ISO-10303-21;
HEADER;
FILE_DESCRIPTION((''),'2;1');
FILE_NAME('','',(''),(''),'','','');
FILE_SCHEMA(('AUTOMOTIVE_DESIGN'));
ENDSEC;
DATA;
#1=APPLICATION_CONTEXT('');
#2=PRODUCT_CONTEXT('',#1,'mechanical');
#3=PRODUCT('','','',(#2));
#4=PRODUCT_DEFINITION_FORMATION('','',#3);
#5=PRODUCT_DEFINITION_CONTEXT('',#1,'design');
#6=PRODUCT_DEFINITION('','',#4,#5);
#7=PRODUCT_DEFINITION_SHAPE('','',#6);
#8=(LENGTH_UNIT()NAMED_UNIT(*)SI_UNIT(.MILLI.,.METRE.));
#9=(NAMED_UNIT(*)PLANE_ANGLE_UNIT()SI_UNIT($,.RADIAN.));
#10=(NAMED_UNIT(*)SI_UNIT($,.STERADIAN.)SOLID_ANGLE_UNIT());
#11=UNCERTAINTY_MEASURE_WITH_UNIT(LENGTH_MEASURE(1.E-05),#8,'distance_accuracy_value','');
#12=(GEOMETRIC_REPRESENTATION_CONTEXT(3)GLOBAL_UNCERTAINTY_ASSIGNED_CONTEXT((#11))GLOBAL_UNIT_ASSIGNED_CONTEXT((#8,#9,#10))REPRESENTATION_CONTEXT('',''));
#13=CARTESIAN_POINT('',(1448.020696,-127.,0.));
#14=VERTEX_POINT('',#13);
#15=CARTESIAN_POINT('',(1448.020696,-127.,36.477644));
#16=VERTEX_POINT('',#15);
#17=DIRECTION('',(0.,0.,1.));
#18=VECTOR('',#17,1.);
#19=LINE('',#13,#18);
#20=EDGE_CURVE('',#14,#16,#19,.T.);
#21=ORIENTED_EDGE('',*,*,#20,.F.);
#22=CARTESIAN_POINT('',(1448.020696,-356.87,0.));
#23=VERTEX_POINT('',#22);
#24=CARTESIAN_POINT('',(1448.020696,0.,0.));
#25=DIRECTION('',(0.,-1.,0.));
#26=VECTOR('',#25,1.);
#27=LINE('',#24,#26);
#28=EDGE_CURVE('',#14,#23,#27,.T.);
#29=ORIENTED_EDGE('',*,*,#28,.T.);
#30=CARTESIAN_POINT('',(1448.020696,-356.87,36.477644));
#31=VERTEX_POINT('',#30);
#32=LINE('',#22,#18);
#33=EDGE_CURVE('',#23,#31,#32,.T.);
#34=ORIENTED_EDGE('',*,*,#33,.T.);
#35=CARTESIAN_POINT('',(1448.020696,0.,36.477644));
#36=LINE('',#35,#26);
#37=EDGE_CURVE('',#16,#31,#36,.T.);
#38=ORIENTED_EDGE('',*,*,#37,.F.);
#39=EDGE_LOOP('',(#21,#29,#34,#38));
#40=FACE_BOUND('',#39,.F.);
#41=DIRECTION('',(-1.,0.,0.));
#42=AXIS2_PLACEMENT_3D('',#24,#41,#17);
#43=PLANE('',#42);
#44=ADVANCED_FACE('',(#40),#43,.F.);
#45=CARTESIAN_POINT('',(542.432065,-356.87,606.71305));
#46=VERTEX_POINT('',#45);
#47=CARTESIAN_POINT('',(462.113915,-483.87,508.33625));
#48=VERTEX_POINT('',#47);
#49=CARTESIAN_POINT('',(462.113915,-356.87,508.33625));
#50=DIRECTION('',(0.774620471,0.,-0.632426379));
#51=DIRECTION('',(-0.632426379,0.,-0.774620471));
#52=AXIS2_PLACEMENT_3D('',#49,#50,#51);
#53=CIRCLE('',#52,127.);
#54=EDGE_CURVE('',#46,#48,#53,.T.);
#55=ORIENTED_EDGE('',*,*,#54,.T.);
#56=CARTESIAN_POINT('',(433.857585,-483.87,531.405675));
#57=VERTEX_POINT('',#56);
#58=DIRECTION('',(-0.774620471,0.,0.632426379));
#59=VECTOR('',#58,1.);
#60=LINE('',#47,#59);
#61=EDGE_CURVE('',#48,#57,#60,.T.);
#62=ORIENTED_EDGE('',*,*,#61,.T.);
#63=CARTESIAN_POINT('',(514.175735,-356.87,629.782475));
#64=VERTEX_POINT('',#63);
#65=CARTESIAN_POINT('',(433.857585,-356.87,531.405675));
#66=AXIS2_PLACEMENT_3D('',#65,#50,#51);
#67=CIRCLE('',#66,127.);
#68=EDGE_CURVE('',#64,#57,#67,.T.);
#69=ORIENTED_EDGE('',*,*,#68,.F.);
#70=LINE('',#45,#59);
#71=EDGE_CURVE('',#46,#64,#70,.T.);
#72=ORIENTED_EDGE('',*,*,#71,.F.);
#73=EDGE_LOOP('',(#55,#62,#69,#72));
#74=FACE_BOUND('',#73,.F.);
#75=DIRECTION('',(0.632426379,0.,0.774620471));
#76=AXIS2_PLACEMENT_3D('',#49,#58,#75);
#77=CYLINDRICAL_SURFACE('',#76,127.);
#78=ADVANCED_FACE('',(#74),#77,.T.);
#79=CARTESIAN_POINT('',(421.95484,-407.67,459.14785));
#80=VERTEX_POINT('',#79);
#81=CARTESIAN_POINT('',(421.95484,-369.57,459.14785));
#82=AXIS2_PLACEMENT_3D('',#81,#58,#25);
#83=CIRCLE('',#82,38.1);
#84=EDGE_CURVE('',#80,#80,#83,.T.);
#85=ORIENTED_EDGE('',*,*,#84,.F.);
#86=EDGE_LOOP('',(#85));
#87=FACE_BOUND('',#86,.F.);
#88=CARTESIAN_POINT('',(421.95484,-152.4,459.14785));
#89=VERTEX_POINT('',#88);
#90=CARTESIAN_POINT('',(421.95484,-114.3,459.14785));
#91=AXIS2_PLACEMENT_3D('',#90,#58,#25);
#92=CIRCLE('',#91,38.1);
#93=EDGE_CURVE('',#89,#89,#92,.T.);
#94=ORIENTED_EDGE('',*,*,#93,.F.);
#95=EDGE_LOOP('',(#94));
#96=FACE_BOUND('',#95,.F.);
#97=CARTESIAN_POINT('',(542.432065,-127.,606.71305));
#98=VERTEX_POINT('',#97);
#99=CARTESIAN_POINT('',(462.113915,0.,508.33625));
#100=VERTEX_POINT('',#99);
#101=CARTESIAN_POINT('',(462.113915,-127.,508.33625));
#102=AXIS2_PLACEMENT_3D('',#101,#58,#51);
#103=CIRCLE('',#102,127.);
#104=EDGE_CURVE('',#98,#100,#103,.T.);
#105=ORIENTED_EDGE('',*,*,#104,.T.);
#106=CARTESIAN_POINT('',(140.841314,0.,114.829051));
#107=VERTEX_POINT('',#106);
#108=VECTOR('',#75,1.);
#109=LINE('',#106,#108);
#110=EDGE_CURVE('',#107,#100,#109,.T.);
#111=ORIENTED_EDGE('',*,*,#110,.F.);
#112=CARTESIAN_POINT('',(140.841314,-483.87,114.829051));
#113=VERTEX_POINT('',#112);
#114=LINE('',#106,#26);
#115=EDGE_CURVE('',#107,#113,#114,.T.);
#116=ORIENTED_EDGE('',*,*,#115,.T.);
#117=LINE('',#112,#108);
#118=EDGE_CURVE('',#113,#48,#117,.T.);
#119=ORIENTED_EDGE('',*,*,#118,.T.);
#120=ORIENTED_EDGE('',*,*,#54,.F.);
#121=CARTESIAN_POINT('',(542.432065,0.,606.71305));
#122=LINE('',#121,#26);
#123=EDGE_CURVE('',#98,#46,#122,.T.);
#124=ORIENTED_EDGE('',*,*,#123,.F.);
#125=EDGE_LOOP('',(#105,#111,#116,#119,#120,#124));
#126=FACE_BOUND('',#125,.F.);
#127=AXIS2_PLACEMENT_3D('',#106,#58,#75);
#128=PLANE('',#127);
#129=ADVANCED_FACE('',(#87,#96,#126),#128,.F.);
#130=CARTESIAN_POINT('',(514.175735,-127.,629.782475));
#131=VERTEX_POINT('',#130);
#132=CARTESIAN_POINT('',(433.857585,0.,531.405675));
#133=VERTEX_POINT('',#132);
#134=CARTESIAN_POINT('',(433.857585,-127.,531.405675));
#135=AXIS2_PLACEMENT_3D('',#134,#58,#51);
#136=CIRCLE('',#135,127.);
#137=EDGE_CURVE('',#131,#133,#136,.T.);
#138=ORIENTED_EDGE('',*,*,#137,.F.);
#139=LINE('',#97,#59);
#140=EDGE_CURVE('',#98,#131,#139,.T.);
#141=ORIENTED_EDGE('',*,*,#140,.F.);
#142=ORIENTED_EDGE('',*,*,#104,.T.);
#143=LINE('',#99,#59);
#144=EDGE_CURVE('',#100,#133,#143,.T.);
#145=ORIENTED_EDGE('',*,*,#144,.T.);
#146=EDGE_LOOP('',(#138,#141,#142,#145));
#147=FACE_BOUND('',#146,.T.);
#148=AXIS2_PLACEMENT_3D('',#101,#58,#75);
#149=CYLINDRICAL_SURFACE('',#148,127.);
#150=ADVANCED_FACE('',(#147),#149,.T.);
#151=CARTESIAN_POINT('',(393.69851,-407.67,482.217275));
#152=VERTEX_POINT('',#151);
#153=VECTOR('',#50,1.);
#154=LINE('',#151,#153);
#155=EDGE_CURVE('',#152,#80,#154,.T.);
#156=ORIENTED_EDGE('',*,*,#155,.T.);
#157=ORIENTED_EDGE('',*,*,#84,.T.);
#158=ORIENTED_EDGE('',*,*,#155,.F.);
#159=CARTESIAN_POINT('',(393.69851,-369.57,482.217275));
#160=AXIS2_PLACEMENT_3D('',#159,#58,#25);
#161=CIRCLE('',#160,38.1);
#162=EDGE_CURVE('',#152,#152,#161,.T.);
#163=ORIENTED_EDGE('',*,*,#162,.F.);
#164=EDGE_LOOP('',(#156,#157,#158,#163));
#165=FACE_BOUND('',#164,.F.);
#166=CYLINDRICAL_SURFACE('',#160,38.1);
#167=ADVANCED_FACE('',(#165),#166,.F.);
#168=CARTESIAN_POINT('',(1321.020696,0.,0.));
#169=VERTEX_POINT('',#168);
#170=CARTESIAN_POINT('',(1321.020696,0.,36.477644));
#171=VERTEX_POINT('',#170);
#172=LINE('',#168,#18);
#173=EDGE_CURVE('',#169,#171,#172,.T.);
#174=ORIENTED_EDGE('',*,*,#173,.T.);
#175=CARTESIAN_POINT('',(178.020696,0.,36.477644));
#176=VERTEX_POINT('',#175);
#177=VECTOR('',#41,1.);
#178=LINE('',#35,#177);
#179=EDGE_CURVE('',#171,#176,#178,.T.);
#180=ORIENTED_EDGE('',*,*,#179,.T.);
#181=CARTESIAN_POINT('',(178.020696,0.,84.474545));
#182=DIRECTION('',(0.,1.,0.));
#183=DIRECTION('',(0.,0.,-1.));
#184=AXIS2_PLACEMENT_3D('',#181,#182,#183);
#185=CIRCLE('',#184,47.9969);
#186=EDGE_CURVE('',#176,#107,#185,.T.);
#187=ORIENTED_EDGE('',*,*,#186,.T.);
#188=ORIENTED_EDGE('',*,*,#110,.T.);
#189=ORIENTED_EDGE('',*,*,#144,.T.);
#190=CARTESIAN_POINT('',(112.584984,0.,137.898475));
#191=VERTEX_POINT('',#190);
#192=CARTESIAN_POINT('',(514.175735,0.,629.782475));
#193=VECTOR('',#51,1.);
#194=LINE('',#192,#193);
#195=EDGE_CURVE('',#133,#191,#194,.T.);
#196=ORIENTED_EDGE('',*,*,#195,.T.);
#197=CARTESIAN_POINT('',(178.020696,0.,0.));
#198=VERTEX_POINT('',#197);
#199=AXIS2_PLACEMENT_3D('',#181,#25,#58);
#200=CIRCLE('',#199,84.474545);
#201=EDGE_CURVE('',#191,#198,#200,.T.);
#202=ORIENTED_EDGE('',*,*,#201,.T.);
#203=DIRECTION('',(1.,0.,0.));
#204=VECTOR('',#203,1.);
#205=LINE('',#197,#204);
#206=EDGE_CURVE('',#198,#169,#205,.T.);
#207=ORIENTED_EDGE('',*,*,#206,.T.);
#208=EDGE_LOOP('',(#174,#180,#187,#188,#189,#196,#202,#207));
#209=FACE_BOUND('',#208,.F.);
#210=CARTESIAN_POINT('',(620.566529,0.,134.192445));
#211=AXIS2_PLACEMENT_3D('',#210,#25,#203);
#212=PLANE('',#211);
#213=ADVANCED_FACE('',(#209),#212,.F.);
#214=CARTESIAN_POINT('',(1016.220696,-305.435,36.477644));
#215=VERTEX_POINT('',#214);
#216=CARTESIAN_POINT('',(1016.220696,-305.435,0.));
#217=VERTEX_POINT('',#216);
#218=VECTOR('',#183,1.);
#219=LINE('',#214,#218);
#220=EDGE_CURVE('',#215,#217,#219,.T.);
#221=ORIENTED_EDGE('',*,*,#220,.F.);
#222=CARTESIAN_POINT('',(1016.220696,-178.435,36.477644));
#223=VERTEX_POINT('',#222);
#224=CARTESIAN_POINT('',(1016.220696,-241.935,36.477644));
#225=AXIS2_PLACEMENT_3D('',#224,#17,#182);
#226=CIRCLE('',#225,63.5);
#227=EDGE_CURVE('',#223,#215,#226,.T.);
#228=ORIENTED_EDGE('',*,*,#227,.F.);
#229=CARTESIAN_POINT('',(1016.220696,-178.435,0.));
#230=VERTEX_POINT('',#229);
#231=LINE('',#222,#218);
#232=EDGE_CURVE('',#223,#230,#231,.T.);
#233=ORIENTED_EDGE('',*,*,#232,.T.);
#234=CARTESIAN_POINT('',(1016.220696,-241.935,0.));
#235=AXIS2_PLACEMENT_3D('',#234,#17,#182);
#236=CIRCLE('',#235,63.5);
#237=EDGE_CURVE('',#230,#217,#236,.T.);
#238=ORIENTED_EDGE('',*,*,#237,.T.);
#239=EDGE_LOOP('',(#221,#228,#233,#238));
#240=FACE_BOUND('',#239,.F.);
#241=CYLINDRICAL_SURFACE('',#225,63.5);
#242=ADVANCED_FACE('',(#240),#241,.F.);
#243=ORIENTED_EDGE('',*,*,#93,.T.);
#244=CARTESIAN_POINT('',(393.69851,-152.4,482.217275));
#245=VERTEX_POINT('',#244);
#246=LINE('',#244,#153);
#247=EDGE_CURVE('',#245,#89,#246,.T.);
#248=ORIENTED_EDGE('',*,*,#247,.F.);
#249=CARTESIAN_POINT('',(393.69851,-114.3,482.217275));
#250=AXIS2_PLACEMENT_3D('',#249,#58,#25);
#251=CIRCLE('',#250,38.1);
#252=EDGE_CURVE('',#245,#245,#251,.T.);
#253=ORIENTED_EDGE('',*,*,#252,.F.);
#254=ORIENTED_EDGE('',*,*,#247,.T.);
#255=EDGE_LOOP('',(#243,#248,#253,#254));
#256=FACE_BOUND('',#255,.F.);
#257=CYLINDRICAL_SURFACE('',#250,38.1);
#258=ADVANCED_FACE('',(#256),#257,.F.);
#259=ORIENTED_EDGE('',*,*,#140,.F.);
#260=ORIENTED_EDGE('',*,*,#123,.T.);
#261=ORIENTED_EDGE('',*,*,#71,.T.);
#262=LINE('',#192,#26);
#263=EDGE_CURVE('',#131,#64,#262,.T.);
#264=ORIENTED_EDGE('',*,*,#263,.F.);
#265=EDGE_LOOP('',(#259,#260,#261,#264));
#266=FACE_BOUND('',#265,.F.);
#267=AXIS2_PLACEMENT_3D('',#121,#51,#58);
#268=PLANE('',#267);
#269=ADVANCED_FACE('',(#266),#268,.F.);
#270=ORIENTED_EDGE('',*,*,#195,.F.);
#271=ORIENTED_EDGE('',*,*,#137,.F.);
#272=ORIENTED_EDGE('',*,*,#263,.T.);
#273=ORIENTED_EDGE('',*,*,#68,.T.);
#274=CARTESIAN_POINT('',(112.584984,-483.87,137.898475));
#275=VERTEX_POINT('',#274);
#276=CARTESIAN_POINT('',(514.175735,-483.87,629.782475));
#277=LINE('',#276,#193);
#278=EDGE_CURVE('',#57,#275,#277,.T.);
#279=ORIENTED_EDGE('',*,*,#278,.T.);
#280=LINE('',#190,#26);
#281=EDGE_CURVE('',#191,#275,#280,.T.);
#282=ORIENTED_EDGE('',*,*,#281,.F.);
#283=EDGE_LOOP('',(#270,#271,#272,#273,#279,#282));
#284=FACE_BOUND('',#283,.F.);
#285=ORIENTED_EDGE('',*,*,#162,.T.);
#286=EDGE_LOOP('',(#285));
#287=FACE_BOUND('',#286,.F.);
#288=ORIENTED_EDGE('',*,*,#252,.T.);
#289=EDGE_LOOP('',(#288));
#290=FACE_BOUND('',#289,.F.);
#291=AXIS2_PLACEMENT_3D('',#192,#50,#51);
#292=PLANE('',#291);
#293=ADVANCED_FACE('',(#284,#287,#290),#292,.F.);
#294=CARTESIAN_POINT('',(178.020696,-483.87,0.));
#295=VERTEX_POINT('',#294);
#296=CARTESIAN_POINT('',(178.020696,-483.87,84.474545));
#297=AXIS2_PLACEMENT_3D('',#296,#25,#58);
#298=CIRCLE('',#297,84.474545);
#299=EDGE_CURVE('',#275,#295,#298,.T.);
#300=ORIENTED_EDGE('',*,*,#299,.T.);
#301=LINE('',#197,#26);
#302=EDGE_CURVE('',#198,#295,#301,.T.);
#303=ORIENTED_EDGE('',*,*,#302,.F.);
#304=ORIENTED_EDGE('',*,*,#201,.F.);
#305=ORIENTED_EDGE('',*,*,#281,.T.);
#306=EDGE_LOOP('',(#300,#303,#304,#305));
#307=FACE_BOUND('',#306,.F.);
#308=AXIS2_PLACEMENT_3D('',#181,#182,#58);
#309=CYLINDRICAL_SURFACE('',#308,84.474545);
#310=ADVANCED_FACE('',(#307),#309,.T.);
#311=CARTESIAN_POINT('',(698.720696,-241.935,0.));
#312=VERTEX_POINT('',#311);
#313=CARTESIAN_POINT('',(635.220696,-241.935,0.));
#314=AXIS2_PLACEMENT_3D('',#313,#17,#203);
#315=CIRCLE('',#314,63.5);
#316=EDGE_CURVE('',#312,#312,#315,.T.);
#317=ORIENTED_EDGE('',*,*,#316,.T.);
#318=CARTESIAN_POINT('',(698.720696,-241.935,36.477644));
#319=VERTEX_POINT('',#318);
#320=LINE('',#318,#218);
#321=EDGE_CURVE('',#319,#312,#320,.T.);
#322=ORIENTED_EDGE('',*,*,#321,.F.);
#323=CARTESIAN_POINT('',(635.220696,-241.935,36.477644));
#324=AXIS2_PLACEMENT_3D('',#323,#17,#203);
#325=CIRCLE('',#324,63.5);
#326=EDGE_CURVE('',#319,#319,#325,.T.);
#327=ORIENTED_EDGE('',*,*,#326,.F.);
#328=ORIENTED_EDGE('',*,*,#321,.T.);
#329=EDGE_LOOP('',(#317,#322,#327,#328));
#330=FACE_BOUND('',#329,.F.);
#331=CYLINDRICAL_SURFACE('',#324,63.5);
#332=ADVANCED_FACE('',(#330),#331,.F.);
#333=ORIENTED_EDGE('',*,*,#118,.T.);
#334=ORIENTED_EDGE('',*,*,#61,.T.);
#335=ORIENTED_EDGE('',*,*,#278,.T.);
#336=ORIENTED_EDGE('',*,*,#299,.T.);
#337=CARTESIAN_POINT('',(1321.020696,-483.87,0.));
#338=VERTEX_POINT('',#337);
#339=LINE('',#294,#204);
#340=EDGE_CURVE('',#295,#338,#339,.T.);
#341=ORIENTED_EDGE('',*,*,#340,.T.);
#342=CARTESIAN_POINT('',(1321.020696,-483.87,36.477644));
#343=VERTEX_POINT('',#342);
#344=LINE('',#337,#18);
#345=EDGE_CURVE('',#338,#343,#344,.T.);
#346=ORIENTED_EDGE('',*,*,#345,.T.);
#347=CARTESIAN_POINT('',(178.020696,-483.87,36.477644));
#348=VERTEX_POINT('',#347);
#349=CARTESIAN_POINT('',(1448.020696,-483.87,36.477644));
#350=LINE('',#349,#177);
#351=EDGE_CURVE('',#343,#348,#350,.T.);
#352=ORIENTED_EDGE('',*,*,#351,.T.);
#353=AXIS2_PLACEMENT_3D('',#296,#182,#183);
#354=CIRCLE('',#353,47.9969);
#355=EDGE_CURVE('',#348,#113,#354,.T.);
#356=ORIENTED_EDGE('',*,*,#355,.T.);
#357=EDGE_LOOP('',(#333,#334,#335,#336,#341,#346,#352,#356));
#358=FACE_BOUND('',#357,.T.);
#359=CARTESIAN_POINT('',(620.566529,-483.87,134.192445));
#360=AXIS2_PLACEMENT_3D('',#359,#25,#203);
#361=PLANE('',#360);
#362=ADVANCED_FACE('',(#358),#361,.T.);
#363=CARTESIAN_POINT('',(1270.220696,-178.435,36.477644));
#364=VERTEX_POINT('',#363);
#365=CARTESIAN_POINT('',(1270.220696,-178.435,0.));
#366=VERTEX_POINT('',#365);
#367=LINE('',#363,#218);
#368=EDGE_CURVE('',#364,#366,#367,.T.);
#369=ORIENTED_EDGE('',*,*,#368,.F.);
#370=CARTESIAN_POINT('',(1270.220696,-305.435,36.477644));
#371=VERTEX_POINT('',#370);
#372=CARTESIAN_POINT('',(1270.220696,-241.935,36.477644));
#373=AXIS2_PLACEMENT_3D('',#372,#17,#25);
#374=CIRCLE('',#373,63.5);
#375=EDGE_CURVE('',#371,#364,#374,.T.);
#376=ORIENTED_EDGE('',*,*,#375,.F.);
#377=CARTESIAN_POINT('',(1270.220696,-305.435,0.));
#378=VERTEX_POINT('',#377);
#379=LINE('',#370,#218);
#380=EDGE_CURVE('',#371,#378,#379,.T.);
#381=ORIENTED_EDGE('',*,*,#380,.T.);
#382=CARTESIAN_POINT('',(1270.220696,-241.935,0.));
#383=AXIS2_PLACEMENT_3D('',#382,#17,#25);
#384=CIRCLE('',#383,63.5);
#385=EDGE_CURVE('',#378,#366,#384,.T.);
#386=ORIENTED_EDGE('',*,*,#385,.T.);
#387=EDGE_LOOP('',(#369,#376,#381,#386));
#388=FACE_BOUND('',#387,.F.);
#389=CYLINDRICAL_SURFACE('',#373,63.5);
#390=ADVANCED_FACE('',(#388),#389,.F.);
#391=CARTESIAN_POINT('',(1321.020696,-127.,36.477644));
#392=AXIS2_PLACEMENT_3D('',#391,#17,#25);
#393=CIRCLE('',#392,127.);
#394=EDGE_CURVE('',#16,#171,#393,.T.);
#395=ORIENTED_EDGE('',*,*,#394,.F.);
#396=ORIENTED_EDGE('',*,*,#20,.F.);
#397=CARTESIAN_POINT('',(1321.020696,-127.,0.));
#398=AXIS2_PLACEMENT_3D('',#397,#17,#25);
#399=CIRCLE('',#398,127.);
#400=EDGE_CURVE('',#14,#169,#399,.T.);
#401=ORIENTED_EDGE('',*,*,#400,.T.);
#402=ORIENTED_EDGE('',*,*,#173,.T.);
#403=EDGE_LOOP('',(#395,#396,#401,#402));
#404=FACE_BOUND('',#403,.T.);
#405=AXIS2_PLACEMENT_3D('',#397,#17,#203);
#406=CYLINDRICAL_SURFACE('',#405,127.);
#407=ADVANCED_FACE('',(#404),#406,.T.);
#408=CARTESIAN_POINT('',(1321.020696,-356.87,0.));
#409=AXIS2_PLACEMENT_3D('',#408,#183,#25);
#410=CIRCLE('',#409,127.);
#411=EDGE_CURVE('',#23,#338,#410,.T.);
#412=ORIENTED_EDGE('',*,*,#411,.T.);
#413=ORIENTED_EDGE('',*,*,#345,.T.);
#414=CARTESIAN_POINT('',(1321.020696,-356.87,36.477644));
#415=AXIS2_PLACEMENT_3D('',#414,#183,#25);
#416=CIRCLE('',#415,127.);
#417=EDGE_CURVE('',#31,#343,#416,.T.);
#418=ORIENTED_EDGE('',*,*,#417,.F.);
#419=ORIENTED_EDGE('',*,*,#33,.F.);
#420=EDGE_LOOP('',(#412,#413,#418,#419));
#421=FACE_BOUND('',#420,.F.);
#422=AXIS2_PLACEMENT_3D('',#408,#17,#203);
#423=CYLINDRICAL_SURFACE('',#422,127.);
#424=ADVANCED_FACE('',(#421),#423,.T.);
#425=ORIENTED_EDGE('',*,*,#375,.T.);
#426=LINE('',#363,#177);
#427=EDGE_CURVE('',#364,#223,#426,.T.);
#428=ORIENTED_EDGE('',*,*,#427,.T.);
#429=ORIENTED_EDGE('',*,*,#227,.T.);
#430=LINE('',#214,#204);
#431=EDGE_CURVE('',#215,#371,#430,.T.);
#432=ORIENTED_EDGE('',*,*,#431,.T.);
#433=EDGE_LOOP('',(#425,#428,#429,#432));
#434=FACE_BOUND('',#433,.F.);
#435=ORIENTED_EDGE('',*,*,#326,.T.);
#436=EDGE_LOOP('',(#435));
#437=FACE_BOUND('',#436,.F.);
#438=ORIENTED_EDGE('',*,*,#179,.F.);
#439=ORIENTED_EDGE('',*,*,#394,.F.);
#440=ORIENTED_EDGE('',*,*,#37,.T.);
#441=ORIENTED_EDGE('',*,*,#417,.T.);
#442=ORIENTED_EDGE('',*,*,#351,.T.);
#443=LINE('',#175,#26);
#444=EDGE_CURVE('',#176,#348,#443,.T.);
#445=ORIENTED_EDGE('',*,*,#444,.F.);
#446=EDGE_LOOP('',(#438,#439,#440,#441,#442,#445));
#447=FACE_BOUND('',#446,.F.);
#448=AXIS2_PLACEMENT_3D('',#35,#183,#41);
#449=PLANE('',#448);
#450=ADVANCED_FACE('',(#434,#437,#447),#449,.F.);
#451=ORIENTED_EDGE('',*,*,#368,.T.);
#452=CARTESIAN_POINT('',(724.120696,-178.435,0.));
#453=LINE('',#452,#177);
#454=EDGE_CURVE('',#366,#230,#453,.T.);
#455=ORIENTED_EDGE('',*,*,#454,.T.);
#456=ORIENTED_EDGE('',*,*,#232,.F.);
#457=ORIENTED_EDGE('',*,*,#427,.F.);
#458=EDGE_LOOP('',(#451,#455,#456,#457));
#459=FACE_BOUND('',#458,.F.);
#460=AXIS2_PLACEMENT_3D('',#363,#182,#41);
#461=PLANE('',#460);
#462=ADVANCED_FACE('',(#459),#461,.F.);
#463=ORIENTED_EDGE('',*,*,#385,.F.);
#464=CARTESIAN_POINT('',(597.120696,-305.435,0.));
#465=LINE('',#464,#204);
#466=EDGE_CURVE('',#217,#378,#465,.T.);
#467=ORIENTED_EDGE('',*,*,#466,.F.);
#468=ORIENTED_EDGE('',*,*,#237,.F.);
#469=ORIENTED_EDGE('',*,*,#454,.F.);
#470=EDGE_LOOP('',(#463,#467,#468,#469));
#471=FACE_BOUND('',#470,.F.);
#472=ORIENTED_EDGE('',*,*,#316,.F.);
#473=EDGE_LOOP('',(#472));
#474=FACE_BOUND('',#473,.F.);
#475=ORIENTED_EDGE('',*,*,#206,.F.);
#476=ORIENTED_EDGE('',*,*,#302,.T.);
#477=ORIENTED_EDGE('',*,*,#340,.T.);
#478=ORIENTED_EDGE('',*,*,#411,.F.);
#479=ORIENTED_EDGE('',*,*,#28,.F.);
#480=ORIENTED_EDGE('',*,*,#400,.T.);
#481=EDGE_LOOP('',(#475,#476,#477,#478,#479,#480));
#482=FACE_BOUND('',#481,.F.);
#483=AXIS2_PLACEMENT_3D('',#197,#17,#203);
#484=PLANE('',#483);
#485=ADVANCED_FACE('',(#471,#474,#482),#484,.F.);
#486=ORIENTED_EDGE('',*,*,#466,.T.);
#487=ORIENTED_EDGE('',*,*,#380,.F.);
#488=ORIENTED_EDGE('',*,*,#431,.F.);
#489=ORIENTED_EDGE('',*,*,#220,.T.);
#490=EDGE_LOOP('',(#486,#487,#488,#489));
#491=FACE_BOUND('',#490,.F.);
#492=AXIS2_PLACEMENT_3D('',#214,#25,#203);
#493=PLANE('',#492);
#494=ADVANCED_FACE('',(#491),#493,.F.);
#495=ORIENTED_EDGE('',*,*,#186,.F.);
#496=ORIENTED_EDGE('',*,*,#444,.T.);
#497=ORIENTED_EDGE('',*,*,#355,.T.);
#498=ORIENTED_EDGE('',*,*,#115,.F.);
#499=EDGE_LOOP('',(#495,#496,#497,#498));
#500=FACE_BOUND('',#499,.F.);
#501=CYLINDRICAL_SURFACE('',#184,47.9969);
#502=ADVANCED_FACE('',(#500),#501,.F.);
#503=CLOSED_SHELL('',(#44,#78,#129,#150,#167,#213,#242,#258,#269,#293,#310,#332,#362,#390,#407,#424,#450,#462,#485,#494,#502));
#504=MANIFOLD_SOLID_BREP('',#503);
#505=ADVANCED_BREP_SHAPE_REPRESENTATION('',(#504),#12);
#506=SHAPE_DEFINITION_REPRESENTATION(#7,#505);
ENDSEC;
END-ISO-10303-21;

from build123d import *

# Parameters (mm, degrees)
F1_DEPTH = 483.87
F2_R     = 127
F3_R     = 38.1
F4_DEPTH = 99.06
F5_R     = 63.5
F6_DEPTH = 360.68


with BuildPart() as f1:
    # F0 (on Front) → F1 (new body)
    with BuildSketch(Plane.XZ):
        with BuildLine():
            Line((514.1757349964, 629.7824745688), (112.5849840774, 137.8984752597))
            ThreePointArc((112.5849840774, 137.8984752597), (101.7025756268, 48.26), (178.0206957594, 0))
            Line((178.0206957594, 0), (1448.0206957594, 0))
            Line((1448.0206957594, 0), (1448.0206957594, 36.4776443297))
            Line((1448.0206957594, 36.4776443297), (178.0206957594, 36.4776443297))
            ThreePointArc((178.0206957594, 36.4776443297), (134.6581275023, 63.8980988751), (140.8413141219, 114.8290507272))
            Line((140.8413141219, 114.8290507272), (542.4320650409, 606.7130500363))
            Line((542.4320650409, 606.7130500363), (514.1757349964, 629.7824745688))
        make_face()
    extrude(amount=F1_DEPTH)

    # F2
    f2_edges = [f1.edges().sort_by_distance(p)[0] for p in [
        (1448.020696, -483.87, 18.238822),
        (1448.020696, 0, 18.238822),
        (528.3039, -483.87, 618.247762),
        (528.3039, 0, 618.247762),
    ]]
    fillet(f2_edges, radius=F2_R)

    # F3 (on face) → F4 (cut)
    with BuildSketch(Plane(origin=(0, 0, 0), x_dir=(0, -1, 0), z_dir=(-0.7746204714, 0, 0.6324263794))):
        with Locations((114.3, 622.5206957594)):
            Circle(F3_R)
        with Locations((369.57, 622.5206957594)):
            Circle(F3_R)
    extrude(amount=-F4_DEPTH, mode=Mode.SUBTRACT)

    # F5 (on face) → F6 (cut)
    with BuildSketch(Plane.XY.offset(36.4776443297)):
        with Locations((635.2206957594, -241.935)):
            Circle(F5_R)
        with BuildLine():
            ThreePointArc((1270.2206957594, -305.435), (1333.7206957594, -241.935), (1270.2206957594, -178.435))
            Line((1270.2206957594, -178.435), (1016.2206957594, -178.435))
            ThreePointArc((1016.2206957594, -178.435), (952.7206957594, -241.935), (1016.2206957594, -305.435))
            Line((1016.2206957594, -305.435), (1270.2206957594, -305.435))
        make_face()
    extrude(amount=-F6_DEPTH, mode=Mode.SUBTRACT)


solid = f1.part
